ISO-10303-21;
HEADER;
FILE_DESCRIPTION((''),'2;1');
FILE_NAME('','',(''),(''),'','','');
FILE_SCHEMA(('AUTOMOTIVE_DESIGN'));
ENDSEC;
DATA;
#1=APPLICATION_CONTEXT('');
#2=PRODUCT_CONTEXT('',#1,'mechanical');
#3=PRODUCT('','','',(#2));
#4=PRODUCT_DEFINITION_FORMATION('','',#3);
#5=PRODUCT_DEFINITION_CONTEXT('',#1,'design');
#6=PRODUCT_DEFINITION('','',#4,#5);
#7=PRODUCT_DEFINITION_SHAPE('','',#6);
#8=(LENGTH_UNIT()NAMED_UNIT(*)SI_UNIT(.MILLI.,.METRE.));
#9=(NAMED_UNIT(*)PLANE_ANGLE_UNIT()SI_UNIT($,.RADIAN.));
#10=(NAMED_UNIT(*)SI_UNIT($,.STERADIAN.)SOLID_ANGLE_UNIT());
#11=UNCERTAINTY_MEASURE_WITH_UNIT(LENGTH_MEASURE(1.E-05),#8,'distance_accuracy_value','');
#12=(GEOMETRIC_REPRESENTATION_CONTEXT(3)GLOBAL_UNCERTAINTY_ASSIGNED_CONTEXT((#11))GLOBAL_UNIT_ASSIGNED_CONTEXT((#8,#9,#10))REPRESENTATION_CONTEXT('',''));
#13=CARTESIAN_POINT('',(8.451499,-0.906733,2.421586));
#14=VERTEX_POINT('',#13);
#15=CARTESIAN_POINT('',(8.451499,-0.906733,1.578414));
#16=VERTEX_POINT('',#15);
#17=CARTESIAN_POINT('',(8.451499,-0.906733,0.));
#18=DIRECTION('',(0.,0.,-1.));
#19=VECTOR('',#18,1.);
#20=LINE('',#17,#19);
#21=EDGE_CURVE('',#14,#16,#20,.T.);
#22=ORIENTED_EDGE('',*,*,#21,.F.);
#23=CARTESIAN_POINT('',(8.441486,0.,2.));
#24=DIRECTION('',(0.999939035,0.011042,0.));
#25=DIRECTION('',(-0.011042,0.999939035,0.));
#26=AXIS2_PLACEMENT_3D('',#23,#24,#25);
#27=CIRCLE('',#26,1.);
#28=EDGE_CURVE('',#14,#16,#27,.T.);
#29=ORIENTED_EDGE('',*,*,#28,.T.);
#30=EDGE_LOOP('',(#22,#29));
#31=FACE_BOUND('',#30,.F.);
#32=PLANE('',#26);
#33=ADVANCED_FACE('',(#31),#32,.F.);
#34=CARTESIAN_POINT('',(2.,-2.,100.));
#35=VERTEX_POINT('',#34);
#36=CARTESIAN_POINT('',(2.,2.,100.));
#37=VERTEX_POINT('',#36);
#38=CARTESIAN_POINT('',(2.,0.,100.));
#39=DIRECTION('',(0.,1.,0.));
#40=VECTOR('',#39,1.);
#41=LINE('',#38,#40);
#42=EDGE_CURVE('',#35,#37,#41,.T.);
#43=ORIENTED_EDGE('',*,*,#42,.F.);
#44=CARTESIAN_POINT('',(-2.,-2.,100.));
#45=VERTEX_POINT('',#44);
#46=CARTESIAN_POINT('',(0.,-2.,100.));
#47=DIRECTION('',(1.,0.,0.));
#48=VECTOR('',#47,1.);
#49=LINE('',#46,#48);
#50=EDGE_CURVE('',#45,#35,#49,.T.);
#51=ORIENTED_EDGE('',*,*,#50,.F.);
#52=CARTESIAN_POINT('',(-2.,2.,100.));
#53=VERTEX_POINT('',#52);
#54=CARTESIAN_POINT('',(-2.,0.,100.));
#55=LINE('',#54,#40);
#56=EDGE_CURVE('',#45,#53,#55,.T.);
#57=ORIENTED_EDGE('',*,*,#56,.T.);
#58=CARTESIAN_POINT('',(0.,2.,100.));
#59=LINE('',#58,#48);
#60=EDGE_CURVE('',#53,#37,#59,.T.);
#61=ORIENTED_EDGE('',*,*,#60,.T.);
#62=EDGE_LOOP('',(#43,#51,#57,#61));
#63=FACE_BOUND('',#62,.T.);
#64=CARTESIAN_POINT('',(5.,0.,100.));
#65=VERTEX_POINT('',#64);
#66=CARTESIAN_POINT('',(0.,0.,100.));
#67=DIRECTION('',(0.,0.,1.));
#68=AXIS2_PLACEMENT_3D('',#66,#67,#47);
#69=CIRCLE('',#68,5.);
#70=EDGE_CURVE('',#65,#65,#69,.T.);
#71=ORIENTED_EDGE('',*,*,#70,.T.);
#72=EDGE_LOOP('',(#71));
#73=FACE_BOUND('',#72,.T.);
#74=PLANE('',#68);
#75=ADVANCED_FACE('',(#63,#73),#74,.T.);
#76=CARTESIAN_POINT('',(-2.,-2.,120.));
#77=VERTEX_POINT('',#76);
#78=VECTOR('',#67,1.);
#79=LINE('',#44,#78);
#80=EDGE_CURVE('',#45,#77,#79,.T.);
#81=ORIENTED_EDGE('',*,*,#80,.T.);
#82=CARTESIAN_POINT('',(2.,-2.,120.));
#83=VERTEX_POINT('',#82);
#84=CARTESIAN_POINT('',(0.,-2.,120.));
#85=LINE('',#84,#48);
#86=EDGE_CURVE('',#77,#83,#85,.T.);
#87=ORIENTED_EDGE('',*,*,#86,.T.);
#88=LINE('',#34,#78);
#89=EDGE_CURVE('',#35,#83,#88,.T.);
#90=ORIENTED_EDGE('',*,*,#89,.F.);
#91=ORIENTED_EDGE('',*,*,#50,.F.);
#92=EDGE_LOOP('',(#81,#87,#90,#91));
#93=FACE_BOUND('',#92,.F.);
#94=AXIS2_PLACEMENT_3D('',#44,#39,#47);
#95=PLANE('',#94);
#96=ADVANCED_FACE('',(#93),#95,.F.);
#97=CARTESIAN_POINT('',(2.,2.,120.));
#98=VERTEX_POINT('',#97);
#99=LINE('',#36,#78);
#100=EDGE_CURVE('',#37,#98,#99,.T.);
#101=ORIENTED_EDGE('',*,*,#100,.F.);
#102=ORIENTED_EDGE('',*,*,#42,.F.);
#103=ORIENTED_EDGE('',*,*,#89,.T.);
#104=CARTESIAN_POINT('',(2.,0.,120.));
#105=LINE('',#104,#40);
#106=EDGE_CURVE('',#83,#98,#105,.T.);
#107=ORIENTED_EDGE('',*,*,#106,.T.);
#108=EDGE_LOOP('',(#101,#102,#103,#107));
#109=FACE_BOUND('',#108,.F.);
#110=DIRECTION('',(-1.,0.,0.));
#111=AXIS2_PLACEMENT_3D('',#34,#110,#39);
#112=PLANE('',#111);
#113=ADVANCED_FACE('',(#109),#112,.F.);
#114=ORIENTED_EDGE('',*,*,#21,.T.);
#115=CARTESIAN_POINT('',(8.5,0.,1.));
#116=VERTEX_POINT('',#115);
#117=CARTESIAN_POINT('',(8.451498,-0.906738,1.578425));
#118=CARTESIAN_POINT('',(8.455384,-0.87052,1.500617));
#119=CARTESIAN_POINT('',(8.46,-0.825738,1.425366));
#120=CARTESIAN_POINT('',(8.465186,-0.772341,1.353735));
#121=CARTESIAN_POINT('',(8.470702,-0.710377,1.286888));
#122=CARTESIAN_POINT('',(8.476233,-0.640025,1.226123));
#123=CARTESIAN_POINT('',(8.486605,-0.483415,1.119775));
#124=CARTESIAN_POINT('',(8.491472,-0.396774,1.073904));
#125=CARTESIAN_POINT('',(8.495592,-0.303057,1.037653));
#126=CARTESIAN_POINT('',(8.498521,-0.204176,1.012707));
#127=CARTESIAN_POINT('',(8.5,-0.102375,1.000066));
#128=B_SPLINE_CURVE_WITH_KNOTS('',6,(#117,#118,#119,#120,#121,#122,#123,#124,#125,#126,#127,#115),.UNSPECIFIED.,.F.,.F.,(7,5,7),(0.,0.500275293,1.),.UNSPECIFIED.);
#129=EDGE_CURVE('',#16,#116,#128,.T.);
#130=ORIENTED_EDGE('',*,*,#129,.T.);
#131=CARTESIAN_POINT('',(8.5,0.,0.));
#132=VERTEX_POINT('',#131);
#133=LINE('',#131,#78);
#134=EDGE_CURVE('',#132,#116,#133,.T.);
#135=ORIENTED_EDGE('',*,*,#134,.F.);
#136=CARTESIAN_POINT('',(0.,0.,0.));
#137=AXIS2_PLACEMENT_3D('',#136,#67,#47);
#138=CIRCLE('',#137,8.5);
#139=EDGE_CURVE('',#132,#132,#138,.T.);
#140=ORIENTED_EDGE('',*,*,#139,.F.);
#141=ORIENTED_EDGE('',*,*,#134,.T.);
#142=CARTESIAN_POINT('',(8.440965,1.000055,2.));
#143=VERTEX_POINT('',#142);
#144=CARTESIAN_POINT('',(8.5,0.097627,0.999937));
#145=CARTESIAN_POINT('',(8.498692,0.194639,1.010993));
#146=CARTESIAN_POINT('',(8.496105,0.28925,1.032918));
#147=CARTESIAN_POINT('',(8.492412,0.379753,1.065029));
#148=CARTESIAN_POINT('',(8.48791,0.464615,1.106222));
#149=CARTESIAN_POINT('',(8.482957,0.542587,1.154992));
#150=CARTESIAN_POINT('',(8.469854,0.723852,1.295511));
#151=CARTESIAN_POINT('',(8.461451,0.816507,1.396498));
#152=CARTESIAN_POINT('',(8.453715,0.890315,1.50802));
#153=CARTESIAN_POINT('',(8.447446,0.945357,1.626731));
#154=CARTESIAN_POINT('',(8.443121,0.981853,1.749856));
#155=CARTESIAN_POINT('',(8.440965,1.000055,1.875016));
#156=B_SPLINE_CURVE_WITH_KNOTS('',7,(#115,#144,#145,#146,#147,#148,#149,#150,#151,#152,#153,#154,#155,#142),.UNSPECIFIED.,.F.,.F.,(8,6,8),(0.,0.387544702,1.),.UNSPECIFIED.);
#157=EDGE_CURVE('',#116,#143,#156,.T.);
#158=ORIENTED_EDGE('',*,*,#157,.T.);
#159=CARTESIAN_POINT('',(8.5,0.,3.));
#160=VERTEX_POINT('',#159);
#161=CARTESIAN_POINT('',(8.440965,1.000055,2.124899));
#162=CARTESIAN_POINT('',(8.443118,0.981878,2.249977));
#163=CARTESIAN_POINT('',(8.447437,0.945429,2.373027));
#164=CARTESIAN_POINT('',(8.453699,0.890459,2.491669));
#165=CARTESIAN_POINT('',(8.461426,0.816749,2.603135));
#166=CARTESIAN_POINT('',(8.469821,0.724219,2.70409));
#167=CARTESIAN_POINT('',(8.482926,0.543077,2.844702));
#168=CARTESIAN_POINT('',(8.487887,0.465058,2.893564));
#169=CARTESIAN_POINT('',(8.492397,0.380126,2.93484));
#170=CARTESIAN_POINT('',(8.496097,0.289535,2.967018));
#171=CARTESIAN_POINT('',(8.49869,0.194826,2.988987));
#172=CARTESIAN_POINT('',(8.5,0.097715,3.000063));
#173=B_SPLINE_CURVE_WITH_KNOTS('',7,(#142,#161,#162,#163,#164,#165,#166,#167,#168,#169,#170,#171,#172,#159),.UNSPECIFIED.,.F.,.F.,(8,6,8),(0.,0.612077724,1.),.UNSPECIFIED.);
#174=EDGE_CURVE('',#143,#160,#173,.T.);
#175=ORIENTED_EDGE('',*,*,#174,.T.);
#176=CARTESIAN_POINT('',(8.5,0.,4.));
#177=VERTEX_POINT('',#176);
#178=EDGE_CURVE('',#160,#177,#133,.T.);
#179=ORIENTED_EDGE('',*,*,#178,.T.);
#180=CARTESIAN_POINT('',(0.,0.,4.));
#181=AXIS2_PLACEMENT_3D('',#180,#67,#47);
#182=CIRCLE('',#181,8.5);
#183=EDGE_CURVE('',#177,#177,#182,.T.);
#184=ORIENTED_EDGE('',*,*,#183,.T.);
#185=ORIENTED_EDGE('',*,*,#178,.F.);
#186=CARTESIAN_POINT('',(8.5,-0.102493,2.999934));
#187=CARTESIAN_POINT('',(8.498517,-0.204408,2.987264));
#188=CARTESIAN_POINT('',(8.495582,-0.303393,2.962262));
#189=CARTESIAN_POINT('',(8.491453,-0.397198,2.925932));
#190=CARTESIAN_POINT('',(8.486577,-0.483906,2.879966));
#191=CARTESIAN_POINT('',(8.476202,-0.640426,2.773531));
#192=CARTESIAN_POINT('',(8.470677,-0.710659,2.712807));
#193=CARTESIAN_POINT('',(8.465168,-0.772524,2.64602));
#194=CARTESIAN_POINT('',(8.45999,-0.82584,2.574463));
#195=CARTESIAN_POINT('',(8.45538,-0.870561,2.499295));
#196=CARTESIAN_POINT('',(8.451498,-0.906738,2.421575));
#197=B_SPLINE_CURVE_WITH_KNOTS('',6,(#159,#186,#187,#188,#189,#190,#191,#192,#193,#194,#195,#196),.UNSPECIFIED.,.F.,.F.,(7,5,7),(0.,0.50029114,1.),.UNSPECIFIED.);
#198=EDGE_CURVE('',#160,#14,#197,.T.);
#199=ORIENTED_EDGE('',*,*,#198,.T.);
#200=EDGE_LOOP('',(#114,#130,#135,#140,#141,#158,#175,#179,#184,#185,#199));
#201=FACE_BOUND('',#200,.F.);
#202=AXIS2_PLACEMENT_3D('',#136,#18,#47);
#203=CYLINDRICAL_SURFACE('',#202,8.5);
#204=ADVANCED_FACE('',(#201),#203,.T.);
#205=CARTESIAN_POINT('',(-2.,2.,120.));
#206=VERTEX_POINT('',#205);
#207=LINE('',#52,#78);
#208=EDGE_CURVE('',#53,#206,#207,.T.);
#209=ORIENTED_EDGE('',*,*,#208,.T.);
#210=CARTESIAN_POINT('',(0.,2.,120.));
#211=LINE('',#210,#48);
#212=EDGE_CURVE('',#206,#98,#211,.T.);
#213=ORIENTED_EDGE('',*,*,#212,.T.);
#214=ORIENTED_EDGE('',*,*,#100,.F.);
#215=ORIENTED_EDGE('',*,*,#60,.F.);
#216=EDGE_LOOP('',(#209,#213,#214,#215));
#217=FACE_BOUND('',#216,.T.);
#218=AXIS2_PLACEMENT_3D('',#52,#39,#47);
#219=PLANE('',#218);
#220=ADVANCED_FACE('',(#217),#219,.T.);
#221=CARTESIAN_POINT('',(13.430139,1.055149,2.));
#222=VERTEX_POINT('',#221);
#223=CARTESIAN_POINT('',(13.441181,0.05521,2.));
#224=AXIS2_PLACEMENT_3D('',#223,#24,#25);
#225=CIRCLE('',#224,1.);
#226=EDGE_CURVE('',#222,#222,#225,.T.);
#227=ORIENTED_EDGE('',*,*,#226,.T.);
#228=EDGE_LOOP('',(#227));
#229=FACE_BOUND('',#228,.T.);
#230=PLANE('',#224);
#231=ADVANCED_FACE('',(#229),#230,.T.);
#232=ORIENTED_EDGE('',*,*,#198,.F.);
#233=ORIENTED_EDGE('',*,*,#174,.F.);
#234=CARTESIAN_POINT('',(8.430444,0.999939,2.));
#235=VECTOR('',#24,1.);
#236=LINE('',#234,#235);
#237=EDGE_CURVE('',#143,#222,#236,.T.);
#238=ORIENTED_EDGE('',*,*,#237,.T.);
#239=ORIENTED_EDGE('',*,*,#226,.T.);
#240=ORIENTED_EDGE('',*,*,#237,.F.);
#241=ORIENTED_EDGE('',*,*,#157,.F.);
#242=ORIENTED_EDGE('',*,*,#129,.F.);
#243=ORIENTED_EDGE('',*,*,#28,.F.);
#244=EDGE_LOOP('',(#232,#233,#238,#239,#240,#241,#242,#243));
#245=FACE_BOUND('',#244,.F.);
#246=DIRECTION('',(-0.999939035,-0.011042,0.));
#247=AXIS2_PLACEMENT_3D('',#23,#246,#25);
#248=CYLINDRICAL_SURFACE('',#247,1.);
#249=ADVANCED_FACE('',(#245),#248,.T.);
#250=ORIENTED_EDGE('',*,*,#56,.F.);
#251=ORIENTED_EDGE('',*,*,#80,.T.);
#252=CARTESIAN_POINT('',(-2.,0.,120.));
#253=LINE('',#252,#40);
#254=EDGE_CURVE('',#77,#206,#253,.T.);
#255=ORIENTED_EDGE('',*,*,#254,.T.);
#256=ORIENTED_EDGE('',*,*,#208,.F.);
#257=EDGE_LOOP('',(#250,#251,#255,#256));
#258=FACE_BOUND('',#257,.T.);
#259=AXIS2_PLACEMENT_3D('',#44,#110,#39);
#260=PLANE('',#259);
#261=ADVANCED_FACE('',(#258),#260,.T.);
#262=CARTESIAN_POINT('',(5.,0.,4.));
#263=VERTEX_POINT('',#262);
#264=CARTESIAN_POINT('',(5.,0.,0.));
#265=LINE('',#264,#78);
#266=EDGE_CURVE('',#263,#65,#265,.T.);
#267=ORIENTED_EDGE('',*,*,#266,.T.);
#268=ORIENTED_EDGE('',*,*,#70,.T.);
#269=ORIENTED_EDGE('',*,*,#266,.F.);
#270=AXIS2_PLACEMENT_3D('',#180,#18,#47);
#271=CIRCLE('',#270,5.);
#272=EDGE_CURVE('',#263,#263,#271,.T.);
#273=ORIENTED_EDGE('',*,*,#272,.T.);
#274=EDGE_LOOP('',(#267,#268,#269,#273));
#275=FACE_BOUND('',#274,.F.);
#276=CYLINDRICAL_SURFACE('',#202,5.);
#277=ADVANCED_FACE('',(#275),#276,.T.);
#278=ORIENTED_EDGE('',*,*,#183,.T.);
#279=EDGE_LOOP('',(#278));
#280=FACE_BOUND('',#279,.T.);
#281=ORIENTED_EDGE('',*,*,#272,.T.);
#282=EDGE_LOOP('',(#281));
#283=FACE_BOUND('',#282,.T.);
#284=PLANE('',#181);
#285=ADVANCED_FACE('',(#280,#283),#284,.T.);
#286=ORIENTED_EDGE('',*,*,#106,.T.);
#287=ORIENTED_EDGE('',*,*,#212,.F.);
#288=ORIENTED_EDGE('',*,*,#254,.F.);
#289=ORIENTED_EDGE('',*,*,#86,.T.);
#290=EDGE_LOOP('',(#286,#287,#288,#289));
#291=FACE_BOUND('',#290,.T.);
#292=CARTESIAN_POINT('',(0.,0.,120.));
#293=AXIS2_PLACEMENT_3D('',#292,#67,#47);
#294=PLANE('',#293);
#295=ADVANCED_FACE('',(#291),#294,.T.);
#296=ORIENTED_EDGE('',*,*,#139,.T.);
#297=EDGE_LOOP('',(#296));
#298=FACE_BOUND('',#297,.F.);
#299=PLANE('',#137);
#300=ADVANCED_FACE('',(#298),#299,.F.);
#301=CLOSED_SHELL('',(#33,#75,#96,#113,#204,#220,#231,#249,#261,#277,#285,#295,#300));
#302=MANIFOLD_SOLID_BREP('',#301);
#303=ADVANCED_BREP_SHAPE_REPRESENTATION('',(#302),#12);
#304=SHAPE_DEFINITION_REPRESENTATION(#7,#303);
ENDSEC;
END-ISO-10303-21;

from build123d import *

# Parameters (mm, degrees)
F0_R     = 8.5
F1_DEPTH = 4
F2_R     = 5
F3_DEPTH = 100
F4_W     = 4
F4_H     = 4
F5_DEPTH = 20
F8_R     = 1
F9_DEPTH = 5


with BuildPart() as f1:
    # F0 (on Top) → F1 (new body)
    with BuildSketch(Plane.XY):
        Circle(F0_R)
    extrude(amount=F1_DEPTH)

    # F2 (on Top) → F3 (join)
    with BuildSketch(Plane.XY):
        Circle(F2_R)
    extrude(amount=F3_DEPTH)

    # F4 (on face) → F5 (join)
    with BuildSketch(Plane.XY.offset(100)):
        Rectangle(F4_W, F4_H)
    extrude(amount=F5_DEPTH)

    # F8 (on face) → F9 (join)
    with BuildSketch(Plane(origin=(8.440457, 0.093202, 0), x_dir=(-0.011042, 0.999939, 0), z_dir=(0.999939, 0.011042, 0))):
        with Locations((-0.093208, 2)):
            Circle(F8_R)
    extrude(amount=F9_DEPTH)


solid = f1.part
